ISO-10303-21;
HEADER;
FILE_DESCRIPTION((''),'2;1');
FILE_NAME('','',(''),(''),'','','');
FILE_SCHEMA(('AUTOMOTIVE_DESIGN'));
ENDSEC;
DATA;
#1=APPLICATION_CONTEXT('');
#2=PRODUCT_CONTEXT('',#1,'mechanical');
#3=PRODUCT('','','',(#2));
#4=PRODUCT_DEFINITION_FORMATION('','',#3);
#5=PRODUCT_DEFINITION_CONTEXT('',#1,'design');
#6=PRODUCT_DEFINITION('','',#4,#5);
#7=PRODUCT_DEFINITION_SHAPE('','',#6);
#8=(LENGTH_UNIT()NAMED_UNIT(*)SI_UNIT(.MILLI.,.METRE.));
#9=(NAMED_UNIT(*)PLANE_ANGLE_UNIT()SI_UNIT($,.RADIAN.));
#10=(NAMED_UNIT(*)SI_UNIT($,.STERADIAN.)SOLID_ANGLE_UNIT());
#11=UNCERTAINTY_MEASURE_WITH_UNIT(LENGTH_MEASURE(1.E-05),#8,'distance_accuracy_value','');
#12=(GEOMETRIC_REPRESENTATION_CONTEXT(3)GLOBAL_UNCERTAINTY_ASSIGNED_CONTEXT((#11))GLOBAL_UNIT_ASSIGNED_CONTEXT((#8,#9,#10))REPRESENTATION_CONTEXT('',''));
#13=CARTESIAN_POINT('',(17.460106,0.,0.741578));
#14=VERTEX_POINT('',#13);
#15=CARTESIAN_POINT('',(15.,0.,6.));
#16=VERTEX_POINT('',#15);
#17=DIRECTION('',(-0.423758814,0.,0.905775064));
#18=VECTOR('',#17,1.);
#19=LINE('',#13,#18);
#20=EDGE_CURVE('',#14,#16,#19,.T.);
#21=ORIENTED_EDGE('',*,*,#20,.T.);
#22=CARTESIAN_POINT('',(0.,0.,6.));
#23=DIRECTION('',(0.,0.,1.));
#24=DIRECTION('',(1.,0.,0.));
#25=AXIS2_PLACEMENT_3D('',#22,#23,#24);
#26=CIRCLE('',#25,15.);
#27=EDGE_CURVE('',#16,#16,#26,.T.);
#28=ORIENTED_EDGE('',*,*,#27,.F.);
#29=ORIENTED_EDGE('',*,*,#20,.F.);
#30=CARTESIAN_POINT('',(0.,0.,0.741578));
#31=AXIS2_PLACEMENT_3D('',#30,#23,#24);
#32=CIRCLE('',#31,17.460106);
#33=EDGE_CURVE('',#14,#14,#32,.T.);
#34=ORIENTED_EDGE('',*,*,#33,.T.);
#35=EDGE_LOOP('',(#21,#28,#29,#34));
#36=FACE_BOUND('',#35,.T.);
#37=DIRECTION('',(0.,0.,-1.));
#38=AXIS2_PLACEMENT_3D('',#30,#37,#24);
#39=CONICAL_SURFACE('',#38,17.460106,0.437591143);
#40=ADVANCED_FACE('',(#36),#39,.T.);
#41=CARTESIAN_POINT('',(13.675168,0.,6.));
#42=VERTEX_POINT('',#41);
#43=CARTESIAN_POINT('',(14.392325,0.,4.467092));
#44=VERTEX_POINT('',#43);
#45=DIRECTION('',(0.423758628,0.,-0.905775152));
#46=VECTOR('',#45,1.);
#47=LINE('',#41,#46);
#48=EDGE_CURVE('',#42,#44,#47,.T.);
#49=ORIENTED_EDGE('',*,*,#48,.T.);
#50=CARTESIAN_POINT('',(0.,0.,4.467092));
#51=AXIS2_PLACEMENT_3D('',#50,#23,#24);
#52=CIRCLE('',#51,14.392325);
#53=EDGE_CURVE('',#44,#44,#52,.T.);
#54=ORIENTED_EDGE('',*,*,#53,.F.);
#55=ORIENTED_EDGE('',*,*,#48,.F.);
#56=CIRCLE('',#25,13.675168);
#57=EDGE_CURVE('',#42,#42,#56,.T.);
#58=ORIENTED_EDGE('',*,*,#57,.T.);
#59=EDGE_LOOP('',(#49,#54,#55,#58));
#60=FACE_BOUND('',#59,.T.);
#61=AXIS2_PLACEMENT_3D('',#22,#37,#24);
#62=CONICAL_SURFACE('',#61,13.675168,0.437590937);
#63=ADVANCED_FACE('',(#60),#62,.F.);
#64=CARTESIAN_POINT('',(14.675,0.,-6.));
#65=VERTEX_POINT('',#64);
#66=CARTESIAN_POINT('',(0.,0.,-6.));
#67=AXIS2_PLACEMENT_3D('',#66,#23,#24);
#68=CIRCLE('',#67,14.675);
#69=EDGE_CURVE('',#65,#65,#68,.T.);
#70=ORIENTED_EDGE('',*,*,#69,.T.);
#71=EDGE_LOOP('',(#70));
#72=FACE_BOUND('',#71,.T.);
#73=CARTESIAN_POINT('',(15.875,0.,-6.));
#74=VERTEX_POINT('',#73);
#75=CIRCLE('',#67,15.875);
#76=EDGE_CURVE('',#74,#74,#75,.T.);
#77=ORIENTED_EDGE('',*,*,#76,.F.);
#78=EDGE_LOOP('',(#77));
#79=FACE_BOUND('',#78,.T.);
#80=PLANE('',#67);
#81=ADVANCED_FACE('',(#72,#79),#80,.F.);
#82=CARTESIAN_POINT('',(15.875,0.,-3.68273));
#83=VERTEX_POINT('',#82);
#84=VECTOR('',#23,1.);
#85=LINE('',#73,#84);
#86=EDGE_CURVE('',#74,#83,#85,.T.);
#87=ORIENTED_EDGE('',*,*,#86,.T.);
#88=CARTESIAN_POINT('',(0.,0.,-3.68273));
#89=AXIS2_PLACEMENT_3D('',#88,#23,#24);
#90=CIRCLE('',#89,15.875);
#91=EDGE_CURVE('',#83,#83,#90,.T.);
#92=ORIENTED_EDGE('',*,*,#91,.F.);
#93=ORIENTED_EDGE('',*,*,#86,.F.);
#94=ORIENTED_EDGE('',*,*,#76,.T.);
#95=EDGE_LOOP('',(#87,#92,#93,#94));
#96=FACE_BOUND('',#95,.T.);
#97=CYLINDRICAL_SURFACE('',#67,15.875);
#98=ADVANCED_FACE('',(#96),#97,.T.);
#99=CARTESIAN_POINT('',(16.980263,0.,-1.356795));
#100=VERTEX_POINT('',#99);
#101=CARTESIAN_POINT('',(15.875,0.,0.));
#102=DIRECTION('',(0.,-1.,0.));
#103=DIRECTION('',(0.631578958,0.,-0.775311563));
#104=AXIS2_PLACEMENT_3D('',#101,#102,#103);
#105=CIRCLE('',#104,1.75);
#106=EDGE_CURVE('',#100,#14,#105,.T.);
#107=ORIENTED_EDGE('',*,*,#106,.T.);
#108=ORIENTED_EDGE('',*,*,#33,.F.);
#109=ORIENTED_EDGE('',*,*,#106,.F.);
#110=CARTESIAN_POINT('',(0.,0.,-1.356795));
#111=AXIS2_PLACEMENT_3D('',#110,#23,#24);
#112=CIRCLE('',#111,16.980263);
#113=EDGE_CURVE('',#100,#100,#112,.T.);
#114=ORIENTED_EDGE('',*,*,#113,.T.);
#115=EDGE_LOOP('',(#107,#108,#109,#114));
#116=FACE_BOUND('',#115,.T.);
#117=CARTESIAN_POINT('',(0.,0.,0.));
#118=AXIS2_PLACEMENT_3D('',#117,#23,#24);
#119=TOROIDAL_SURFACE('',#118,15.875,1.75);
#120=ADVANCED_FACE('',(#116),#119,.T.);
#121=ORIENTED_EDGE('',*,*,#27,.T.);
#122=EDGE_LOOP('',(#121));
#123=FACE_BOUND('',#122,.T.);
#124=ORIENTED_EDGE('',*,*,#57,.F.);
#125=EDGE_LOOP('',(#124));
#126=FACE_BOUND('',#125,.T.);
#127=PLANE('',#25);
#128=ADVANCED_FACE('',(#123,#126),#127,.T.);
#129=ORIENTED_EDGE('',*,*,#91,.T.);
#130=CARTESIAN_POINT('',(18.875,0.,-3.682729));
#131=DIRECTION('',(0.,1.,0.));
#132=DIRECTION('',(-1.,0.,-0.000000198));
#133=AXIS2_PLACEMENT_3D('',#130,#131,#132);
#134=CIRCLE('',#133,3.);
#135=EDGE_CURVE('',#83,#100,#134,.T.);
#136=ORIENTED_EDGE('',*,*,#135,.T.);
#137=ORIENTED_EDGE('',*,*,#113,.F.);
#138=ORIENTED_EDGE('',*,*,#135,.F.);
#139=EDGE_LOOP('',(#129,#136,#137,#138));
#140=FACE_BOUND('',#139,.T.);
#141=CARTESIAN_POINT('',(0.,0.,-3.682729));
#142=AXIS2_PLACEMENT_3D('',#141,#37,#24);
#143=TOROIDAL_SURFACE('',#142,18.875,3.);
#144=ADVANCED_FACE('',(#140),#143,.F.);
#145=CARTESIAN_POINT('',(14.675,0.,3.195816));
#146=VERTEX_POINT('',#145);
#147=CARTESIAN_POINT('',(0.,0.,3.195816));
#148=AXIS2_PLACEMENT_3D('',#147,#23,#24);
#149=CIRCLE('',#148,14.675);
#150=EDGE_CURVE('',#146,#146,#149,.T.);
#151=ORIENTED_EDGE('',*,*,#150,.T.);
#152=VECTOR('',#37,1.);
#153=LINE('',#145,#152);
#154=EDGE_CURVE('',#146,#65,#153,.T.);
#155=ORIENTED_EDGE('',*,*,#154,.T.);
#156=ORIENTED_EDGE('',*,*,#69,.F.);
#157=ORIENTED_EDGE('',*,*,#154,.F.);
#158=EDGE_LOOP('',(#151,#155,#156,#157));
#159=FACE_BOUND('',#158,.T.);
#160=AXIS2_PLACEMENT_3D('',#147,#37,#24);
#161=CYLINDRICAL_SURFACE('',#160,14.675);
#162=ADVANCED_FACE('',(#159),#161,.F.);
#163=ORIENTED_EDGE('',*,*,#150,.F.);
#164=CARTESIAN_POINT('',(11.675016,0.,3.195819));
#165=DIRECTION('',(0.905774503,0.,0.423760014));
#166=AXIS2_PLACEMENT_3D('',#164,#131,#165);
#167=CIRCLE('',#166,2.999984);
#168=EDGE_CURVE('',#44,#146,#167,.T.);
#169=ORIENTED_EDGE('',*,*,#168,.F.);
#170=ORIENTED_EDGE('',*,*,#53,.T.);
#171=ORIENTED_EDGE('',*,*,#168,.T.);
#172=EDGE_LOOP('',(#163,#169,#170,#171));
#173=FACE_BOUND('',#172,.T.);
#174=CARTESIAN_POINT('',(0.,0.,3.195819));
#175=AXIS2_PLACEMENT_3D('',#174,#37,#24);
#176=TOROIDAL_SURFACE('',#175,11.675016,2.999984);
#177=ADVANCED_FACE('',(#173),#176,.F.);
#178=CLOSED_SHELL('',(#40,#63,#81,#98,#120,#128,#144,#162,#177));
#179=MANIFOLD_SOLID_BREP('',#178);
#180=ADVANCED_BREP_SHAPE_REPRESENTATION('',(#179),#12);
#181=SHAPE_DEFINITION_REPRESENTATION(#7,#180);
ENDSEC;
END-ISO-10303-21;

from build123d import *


with BuildPart() as f2:
    # F1 (on Front) → F2 (revolve)
    with BuildSketch(Plane.XZ):
        with BuildLine():
            Line((14.675, 3.195816), (14.675, -6))
            Line((14.675, -6), (15.875, -6))
            Line((15.875, -6), (15.875, -3.68273))
            ThreePointArc((15.875, -3.68273), (16.165368, -2.395137), (16.980263, -1.356795))
            ThreePointArc((16.980263, -1.356795), (17.580964, -0.39011), (17.460106, 0.741578))
            Line((17.460106, 0.741578), (15, 6))
            Line((15, 6), (13.675168, 6))
            Line((13.675168, 6), (14.392325, 4.467092))
            ThreePointArc((14.392325, 4.467092), (14.603479, 3.846978), (14.675, 3.195816))
        make_face()
    revolve(axis=Axis((0, 0, 13.405576), (0, 0, 1)))


solid = f2.part
